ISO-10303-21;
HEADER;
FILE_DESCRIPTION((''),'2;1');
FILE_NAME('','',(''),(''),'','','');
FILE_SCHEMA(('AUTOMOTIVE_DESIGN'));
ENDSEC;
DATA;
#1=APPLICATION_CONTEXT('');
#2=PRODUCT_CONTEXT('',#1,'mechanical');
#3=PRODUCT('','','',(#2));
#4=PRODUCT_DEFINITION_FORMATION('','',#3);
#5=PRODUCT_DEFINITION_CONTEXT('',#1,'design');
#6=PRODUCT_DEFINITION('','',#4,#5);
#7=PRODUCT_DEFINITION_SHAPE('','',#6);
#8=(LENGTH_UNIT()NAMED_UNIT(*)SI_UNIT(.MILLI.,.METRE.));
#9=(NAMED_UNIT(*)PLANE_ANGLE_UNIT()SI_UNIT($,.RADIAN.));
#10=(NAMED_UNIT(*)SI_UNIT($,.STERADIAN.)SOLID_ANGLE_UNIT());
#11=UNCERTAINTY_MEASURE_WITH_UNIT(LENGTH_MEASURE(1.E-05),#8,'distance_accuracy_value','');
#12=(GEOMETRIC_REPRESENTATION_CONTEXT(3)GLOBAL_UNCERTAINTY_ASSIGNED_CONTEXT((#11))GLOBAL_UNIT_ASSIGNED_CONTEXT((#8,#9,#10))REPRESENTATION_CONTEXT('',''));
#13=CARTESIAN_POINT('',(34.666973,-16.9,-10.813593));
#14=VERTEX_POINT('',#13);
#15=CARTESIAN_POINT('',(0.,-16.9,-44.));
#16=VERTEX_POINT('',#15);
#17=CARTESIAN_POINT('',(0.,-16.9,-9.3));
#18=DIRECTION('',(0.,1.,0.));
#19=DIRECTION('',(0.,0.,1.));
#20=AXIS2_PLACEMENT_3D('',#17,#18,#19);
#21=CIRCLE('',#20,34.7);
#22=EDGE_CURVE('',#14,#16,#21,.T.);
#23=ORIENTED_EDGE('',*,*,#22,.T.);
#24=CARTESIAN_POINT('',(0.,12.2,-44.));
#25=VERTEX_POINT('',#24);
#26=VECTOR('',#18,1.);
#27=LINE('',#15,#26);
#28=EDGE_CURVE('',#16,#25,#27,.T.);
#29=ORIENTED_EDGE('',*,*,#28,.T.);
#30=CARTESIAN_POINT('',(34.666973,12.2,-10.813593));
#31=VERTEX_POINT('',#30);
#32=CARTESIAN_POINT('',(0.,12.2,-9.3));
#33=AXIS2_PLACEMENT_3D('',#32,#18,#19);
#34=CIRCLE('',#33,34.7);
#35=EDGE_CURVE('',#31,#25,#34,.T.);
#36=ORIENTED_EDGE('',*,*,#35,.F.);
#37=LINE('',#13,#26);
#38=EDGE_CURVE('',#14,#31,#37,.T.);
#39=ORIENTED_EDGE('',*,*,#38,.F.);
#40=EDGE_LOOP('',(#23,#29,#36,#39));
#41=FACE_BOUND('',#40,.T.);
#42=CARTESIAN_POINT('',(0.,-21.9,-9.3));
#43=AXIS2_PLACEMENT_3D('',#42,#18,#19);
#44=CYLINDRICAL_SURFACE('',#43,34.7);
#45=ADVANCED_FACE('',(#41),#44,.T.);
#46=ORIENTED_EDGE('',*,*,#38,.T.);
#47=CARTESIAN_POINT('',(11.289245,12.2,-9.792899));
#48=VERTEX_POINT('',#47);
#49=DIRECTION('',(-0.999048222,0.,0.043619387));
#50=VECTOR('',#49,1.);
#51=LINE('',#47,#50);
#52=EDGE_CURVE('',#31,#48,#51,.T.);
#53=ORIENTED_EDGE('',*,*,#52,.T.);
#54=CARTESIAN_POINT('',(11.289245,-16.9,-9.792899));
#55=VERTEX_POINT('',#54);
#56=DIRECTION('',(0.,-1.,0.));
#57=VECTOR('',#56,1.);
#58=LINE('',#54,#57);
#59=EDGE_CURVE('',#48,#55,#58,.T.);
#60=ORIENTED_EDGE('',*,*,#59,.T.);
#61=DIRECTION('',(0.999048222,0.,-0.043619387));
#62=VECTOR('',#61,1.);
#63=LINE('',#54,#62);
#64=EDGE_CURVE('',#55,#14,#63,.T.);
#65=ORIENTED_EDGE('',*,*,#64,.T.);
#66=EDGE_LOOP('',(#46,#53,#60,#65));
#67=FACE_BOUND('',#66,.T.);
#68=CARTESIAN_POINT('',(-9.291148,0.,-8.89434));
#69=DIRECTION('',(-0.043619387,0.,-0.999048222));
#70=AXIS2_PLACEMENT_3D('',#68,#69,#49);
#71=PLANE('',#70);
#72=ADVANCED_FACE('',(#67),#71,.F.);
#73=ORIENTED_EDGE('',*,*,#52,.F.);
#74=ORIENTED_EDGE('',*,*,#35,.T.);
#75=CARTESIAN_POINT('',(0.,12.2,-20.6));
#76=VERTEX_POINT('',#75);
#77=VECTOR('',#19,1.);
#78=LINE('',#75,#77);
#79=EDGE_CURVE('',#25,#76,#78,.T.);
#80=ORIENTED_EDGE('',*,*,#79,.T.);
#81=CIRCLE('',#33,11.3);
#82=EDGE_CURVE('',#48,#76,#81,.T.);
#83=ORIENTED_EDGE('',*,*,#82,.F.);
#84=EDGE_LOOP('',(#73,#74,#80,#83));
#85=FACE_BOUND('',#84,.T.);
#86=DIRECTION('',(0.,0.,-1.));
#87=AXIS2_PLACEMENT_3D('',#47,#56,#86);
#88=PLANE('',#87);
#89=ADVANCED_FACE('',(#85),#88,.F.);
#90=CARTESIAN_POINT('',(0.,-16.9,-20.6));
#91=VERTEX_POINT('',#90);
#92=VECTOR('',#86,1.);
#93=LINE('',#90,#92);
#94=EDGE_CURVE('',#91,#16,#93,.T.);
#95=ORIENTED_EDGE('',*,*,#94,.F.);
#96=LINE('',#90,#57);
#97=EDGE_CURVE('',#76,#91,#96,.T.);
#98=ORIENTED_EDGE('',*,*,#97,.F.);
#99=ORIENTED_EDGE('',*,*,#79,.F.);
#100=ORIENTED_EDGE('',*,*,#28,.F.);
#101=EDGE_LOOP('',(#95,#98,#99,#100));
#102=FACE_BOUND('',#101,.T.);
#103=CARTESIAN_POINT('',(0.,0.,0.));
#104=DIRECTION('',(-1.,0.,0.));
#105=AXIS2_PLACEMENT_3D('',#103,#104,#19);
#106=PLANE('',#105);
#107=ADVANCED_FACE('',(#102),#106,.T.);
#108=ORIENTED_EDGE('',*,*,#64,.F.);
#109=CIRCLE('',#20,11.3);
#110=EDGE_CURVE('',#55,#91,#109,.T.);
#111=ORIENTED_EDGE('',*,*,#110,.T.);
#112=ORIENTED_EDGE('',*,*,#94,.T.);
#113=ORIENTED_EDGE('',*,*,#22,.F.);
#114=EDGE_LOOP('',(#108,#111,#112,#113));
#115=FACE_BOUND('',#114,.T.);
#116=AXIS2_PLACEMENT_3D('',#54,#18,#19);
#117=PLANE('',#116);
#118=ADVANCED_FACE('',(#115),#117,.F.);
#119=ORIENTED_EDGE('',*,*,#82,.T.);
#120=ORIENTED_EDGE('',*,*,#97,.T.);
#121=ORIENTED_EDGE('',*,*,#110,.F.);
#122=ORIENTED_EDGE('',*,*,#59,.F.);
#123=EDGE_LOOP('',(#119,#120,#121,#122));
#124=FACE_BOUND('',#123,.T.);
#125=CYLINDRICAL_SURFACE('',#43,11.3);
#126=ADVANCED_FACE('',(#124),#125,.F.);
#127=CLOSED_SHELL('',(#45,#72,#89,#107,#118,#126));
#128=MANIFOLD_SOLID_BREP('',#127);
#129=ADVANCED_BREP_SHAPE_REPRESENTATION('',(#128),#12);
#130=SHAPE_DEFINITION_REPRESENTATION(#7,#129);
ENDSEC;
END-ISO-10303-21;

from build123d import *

# Parameters (mm, degrees)
REVOLVESKETCH_W           = 23.4
REVOLVESKETCH_H           = 29.1
ORDINARYBOSSREVOLVE_ANGLE = 87.5


with BuildPart() as part:
    # RevolveSketch → OrdinaryBossRevolve (revolve)
    with BuildSketch(Plane(origin=(0, 0, 0), x_dir=(0, 0, -1), z_dir=(1, 0, 0))):
        with Locations((32.3, -2.35)):
            Rectangle(REVOLVESKETCH_W, REVOLVESKETCH_H)
    revolve(axis=Axis((0, -21.9, -9.3), (0, -1, 0)), revolution_arc=ORDINARYBOSSREVOLVE_ANGLE)


solid = part.part
